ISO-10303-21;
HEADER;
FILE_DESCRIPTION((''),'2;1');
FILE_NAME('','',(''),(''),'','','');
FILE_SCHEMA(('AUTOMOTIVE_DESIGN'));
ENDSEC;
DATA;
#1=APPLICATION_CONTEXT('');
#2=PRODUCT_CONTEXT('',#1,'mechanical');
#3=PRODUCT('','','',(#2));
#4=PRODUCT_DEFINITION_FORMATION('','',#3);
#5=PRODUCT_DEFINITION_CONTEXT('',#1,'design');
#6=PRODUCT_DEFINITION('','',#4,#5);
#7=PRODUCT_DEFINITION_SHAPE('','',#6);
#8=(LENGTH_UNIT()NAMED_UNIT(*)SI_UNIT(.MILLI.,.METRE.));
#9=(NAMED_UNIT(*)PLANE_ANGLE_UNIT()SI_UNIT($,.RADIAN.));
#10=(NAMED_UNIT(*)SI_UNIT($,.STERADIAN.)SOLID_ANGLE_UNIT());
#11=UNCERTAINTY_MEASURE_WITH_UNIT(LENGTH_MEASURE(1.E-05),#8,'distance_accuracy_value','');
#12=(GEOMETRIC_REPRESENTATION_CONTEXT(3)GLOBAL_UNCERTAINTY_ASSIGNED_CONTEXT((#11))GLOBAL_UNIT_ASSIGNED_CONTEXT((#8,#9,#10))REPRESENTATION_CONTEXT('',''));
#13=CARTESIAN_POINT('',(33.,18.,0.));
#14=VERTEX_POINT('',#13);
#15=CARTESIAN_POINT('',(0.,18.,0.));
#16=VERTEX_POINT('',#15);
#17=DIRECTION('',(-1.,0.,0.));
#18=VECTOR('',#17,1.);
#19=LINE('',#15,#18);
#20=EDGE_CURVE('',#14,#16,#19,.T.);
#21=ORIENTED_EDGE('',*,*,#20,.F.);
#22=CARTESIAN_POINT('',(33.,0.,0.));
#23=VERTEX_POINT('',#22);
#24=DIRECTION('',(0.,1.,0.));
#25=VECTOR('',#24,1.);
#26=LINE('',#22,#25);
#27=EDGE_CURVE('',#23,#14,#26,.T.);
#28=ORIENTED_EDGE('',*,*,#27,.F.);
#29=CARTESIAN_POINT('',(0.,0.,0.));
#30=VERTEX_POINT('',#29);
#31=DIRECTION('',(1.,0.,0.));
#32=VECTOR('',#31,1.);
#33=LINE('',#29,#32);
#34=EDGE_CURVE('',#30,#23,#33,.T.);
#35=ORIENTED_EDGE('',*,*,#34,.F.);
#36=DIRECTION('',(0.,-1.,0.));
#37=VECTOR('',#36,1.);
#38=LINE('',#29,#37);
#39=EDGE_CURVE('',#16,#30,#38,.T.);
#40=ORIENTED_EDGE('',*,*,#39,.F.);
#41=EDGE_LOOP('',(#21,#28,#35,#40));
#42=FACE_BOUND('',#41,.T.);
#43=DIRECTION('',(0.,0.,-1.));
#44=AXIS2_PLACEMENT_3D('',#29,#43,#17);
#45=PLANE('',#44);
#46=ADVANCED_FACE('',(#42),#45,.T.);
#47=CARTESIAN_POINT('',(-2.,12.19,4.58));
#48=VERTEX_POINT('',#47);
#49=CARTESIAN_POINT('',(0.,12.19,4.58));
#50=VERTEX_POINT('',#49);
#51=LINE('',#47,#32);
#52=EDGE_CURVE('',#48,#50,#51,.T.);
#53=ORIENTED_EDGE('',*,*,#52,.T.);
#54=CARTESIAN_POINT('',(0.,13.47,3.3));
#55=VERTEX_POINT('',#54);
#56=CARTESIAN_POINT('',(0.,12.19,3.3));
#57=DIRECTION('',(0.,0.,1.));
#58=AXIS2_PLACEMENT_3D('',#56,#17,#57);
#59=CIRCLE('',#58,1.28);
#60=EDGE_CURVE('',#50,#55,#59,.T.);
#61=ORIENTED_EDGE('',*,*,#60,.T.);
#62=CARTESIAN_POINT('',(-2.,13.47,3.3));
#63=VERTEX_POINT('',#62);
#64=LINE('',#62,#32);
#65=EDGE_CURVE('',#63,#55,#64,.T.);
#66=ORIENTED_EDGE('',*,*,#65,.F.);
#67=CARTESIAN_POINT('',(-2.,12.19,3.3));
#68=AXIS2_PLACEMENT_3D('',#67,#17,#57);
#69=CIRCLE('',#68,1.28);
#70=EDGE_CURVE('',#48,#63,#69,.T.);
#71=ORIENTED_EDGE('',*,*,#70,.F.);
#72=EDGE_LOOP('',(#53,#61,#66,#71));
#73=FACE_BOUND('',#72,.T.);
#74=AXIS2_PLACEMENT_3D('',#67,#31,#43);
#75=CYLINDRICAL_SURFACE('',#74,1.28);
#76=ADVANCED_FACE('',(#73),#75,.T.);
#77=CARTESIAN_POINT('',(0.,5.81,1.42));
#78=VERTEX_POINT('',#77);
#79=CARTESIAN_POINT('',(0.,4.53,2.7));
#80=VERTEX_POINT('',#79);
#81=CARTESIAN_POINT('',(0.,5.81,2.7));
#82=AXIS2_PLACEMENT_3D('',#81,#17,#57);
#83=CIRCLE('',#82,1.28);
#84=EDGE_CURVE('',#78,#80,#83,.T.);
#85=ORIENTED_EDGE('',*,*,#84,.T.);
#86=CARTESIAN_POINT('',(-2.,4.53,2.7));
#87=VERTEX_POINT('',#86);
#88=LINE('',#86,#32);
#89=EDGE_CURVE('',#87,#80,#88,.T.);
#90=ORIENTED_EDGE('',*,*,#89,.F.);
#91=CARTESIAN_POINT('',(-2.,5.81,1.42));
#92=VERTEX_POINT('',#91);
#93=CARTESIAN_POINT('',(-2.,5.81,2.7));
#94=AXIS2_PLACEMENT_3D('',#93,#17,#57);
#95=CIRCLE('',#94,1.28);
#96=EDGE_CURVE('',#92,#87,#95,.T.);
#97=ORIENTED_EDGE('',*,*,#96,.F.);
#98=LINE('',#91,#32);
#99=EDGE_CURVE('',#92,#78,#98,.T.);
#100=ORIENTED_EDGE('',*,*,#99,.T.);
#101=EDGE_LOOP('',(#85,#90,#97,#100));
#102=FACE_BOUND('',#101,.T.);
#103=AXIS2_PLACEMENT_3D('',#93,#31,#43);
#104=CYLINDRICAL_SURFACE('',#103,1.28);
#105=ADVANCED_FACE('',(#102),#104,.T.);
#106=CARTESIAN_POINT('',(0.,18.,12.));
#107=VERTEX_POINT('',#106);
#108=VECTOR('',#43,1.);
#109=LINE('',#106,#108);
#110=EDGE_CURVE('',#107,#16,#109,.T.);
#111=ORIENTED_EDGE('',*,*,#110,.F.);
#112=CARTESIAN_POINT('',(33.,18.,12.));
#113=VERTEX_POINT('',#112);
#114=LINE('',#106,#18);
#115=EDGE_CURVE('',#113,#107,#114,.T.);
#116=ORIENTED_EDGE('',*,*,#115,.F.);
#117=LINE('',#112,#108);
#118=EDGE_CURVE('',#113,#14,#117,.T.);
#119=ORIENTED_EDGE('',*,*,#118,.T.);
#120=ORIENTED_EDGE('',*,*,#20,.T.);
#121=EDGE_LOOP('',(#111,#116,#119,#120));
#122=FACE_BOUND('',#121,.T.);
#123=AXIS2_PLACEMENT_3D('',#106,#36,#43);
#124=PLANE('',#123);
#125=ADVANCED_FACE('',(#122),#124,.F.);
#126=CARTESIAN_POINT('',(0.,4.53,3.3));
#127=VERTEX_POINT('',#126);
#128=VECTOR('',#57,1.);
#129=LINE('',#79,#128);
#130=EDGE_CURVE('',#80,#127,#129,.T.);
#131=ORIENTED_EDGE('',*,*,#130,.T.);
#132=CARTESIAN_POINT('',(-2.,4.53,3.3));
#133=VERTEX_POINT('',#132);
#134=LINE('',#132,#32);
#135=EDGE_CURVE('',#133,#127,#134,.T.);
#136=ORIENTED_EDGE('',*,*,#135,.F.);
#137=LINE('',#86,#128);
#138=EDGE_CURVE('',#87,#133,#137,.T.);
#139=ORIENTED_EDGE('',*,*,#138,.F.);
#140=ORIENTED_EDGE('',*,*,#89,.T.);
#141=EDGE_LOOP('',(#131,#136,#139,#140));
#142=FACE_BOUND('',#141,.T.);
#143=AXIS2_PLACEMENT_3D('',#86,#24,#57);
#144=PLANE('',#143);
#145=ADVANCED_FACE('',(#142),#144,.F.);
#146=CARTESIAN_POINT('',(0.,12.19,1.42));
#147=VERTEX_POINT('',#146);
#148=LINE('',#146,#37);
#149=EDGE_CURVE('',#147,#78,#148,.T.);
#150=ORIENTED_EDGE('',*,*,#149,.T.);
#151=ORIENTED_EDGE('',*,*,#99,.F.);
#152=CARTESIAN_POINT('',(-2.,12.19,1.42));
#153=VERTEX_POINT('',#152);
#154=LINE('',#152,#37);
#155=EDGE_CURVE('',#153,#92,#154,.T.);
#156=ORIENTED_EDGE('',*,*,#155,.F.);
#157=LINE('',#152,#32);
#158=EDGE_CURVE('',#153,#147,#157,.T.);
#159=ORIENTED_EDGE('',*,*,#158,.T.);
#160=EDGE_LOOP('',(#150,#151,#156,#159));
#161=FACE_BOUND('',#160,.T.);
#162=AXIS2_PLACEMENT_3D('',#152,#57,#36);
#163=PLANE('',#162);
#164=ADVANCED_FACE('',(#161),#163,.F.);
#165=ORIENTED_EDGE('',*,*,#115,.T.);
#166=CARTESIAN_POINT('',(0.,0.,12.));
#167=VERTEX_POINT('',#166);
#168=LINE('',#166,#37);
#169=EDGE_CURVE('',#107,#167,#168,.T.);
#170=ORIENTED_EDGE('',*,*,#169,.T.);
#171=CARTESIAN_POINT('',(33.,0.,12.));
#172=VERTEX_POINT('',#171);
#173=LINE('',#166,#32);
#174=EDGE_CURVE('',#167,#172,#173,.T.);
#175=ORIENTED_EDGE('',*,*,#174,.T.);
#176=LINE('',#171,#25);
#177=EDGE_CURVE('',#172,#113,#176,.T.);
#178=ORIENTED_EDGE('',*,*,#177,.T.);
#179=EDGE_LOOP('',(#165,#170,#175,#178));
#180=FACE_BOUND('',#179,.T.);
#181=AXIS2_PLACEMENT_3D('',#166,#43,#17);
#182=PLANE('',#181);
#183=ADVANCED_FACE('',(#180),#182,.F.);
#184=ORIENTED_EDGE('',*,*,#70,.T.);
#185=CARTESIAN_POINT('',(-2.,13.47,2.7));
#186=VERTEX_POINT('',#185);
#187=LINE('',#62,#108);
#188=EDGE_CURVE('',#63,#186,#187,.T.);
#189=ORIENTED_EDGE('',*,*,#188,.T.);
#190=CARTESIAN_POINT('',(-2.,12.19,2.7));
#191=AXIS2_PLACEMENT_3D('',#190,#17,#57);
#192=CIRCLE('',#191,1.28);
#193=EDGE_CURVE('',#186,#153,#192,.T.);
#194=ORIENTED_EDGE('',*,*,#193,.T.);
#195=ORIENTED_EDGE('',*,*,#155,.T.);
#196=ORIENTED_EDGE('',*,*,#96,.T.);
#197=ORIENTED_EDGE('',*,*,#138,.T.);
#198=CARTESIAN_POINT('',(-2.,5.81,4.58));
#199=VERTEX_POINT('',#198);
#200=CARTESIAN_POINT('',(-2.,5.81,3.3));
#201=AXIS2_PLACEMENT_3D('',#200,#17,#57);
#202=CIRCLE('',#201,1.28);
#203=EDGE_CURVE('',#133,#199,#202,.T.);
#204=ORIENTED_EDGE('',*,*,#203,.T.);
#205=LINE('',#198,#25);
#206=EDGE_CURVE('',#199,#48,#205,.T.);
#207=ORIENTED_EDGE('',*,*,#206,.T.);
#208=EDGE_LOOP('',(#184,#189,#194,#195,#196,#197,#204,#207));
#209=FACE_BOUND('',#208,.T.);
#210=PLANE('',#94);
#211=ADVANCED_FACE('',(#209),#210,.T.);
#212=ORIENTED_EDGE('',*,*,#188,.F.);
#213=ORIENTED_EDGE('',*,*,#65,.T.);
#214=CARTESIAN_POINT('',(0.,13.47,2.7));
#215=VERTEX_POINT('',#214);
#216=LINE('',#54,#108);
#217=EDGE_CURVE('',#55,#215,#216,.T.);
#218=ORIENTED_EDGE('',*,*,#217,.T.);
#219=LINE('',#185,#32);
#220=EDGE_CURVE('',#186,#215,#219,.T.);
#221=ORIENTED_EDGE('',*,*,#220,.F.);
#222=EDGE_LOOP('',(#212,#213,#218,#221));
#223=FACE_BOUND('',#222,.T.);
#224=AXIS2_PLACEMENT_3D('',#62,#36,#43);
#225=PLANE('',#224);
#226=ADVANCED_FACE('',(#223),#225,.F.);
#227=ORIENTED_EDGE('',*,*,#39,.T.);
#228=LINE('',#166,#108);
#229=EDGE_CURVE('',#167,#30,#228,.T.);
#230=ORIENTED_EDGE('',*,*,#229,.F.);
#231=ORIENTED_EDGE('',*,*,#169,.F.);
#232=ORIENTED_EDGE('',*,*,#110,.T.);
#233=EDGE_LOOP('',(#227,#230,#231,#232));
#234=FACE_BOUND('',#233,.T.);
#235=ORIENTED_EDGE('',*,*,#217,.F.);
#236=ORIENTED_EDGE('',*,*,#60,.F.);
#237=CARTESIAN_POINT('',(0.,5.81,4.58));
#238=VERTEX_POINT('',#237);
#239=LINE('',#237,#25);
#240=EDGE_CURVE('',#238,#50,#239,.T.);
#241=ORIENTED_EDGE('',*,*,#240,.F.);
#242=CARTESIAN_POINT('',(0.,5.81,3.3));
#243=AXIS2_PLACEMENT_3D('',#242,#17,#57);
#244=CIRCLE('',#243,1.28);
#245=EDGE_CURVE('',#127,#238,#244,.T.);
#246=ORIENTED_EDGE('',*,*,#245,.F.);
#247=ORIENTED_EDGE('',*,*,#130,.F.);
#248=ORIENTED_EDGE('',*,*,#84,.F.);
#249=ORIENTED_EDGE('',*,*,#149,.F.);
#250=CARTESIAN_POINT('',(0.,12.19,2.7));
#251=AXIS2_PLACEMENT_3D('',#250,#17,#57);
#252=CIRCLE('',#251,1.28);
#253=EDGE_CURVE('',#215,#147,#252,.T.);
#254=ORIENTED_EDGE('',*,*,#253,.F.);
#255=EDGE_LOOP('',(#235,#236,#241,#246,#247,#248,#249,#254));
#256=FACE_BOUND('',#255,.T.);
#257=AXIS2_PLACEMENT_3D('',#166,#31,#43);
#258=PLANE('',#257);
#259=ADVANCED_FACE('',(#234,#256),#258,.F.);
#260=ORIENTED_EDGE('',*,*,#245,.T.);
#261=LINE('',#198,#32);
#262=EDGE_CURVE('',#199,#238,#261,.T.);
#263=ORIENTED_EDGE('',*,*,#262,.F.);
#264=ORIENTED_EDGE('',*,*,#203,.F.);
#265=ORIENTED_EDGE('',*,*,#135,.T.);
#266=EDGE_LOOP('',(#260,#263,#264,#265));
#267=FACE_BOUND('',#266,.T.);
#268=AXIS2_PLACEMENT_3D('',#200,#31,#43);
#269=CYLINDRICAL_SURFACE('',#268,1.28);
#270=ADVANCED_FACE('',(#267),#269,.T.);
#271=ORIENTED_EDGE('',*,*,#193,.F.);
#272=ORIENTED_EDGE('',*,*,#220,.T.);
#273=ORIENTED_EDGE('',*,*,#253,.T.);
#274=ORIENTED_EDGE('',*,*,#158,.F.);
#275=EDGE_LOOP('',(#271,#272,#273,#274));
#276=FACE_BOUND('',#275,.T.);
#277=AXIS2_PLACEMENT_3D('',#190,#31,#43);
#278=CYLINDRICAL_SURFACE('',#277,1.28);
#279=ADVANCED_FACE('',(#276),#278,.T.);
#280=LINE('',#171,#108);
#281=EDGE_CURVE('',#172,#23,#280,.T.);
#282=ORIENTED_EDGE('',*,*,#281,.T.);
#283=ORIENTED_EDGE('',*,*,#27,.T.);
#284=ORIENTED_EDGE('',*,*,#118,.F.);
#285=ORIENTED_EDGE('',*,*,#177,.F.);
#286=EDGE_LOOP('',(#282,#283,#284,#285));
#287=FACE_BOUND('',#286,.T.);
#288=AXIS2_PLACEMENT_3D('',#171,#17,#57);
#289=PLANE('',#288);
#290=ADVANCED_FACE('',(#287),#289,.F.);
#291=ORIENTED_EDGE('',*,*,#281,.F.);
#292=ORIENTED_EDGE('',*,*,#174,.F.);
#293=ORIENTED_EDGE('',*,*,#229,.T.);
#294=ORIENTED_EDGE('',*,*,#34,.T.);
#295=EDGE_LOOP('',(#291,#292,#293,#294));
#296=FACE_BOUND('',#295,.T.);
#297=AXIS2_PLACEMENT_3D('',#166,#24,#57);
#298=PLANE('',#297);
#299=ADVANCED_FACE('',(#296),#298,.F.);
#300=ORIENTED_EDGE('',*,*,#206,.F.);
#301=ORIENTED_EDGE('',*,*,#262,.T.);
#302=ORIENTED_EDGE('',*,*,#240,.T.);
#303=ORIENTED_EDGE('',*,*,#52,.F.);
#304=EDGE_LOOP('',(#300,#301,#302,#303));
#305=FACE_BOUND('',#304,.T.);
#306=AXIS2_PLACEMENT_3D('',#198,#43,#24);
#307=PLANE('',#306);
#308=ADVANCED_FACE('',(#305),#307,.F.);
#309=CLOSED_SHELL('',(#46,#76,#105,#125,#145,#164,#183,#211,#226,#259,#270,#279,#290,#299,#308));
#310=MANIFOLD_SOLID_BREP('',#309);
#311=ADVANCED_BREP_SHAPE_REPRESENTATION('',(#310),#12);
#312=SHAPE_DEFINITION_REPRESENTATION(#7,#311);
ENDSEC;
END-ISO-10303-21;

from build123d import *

# Parameters (mm, degrees)
SKETCH_1_W      = 33
SKETCH_1_H      = 18
EXTRUDE_1_DEPTH = 12
EXTRUDE_2_DEPTH = 2


with BuildPart() as part:
    # Эскиз1 → Бобышка-Вытянуть1 (new body)
    with BuildSketch(Plane.XY):
        with Locations((16.5, 9)):
            Rectangle(SKETCH_1_W, SKETCH_1_H)
    extrude(amount=EXTRUDE_1_DEPTH)

    # Эскиз2 → Бобышка-Вытянуть2 (add)
    with BuildSketch(Plane.ZY):
        with BuildLine():
            Line((2.7, 4.53), (3.3, 4.53))
            ThreePointArc((3.3, 4.53), (4.20509668, 4.90490332), (4.58, 5.81))
            Line((4.58, 5.81), (4.58, 12.19))
            ThreePointArc((4.58, 12.19), (4.20509668, 13.09509668), (3.3, 13.47))
            Line((3.3, 13.47), (2.7, 13.47))
            ThreePointArc((2.7, 13.47), (1.79490332, 13.09509668), (1.42, 12.19))
            Line((1.42, 12.19), (1.42, 5.81))
            ThreePointArc((1.42, 5.81), (1.79490332, 4.90490332), (2.7, 4.53))
        make_face()
    extrude(amount=EXTRUDE_2_DEPTH)


solid = part.part
